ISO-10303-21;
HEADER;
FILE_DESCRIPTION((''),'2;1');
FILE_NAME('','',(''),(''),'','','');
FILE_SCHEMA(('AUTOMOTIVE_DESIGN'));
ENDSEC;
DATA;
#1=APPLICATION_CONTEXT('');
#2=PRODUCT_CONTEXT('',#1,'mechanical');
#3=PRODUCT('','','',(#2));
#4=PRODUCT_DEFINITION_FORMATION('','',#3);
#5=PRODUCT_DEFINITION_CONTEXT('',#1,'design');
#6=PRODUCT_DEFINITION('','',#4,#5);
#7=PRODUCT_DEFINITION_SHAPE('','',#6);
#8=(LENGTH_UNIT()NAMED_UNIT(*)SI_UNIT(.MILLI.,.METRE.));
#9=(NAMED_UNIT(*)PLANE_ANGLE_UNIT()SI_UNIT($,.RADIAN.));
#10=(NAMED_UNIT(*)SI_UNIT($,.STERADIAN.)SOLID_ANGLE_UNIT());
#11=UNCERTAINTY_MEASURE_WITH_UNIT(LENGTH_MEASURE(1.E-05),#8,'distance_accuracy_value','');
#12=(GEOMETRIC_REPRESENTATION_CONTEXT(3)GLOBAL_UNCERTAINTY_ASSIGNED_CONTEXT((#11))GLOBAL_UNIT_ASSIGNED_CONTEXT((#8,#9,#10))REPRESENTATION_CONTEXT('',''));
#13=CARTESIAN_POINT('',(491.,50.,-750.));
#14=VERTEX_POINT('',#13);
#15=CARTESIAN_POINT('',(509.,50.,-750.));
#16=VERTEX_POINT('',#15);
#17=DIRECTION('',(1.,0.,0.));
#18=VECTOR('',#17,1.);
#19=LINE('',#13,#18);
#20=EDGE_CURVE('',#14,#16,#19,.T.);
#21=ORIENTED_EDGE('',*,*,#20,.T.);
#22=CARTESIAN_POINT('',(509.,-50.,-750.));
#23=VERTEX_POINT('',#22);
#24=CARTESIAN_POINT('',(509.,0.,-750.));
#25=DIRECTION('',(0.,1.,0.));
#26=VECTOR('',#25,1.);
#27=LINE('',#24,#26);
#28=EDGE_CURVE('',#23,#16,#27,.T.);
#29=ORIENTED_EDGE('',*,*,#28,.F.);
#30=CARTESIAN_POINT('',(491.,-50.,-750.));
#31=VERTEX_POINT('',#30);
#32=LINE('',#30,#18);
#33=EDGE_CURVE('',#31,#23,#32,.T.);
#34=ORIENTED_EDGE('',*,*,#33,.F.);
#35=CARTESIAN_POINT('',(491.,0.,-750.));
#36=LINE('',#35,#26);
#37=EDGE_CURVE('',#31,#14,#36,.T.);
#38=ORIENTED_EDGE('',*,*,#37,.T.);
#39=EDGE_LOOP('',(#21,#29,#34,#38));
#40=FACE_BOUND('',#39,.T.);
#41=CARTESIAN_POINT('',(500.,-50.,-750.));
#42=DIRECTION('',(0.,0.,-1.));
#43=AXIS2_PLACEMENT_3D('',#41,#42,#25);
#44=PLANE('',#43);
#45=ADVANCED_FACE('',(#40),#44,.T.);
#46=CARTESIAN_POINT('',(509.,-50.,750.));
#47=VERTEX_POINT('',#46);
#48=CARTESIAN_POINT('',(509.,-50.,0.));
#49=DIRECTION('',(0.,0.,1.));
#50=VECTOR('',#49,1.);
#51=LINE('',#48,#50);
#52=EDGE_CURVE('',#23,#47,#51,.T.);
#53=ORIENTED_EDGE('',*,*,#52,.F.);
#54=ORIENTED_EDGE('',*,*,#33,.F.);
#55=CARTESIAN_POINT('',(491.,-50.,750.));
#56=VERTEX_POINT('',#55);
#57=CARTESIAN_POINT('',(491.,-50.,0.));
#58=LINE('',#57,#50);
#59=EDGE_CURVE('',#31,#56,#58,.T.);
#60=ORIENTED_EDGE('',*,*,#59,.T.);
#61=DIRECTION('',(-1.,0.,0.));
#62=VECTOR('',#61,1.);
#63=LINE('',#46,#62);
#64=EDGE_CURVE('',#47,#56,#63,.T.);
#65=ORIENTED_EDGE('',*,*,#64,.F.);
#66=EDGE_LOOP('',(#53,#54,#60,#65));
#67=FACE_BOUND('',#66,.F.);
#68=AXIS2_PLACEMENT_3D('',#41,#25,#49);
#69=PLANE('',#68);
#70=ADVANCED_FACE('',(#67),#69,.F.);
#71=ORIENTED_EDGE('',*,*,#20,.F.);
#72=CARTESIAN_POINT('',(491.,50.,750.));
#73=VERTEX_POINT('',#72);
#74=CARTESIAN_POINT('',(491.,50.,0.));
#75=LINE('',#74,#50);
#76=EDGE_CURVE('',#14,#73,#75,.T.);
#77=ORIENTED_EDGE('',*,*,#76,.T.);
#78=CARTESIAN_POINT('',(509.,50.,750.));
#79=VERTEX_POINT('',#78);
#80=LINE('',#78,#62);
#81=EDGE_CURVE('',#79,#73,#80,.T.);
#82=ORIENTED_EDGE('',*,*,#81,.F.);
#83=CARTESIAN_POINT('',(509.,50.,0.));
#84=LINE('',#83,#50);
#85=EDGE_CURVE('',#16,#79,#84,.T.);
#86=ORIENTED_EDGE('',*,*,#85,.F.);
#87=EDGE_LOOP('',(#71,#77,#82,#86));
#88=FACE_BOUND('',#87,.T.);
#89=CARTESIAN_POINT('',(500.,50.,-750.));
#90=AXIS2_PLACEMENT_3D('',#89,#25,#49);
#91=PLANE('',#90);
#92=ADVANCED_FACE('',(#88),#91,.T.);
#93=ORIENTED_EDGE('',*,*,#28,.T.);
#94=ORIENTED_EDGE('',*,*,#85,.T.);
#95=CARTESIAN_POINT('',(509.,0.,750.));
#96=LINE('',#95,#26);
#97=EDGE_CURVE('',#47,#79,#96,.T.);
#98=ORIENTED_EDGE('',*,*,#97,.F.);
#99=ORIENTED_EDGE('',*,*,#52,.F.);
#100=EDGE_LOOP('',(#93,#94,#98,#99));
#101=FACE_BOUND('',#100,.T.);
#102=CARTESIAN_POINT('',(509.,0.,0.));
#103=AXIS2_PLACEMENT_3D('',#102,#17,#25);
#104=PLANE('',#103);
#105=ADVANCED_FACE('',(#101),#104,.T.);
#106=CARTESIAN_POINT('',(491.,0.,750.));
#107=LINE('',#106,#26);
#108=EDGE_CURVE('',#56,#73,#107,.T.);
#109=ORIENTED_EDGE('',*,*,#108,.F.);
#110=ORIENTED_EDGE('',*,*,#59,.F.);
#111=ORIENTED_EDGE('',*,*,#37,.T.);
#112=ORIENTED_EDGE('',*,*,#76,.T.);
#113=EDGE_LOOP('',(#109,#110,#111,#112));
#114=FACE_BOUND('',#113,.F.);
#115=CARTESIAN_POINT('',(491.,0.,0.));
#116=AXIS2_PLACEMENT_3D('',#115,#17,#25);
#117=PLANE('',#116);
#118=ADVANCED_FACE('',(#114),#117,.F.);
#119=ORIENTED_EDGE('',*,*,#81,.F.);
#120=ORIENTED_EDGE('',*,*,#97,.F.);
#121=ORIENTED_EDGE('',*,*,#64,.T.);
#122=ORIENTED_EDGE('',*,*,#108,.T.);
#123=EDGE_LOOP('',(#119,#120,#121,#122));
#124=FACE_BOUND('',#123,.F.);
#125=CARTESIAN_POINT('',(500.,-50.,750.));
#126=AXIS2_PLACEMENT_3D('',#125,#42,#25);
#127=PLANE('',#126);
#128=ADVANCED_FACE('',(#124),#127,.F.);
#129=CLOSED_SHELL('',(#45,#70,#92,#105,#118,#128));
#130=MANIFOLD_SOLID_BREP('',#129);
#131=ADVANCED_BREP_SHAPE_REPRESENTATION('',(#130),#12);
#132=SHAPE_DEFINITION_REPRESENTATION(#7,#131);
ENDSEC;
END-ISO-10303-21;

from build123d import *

# Parameters (mm, degrees)
F0_W     = 100
F0_H     = 1500
F1_DEPTH = 9


with BuildPart() as f1:
    # F0 (on Right) → F1 (new body, symmetric)
    with BuildSketch(Plane.YZ):
        Rectangle(F0_W, F0_H)
    extrude(amount=F1_DEPTH, both=True)


with BuildPart() as f1_1:
    # F2: moved
    add(f1.part.moved(Location((500, 0, 0))))


solid = f1_1.part
